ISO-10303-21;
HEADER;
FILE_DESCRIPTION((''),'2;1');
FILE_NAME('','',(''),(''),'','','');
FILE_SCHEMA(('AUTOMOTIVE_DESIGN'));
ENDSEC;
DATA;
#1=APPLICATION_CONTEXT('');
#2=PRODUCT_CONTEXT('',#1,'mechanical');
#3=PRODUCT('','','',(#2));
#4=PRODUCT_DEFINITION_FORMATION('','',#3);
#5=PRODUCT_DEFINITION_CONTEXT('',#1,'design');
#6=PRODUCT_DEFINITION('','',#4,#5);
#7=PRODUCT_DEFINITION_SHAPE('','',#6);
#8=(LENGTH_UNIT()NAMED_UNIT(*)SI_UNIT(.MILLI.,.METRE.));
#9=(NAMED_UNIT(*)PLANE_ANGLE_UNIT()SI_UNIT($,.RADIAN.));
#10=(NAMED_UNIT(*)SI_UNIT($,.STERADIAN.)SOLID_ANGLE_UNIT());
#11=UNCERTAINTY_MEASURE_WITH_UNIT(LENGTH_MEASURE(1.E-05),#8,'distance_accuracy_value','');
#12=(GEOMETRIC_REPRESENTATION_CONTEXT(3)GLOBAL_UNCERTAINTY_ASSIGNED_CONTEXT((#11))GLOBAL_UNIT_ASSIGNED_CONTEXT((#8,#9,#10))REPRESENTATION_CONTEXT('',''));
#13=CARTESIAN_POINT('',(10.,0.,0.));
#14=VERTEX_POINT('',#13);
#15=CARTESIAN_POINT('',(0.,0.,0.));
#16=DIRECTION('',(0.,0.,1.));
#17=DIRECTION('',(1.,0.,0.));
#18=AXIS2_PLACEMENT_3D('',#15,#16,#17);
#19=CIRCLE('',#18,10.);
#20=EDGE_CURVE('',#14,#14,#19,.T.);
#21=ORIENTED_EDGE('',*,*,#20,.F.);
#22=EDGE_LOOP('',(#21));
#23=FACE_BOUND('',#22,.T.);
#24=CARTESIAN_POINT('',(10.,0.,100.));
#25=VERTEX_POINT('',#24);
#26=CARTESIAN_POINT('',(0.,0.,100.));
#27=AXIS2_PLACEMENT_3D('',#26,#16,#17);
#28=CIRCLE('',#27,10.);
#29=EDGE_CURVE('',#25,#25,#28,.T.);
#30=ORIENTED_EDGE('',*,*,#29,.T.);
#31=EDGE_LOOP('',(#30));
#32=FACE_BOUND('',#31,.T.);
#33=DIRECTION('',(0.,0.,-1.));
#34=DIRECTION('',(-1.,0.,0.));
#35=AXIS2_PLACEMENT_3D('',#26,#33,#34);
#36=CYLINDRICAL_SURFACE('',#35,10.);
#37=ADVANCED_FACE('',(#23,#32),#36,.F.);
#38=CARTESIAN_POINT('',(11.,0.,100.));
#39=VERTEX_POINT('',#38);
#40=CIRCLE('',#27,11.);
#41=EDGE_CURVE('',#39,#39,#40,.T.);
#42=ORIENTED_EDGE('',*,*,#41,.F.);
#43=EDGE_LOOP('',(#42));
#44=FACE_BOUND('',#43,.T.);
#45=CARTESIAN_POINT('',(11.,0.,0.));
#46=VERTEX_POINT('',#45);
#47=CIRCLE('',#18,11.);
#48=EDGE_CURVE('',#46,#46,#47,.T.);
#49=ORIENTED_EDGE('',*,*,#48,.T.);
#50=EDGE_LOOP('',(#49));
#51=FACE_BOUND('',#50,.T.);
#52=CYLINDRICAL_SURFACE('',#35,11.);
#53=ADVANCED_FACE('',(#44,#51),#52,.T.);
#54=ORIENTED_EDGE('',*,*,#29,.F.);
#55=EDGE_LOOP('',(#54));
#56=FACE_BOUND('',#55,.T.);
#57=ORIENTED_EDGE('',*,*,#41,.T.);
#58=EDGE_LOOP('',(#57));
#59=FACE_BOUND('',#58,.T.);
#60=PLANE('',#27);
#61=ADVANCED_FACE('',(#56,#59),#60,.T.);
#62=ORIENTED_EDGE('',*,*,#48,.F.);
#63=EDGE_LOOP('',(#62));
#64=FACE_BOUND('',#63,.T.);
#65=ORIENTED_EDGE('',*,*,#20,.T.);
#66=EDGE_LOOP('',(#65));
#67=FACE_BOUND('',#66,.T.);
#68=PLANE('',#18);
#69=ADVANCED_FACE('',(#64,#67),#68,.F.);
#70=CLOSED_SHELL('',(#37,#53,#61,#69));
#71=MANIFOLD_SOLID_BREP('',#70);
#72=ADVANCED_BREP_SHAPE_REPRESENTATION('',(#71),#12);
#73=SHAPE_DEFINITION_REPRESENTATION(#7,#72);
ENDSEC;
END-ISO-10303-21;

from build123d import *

# Parameters (mm, degrees)
SKETCH_1_R      = 11
SKETCH_1_R_2    = 10
EXTRUDE_1_DEPTH = 100


with BuildPart() as part:
    # 스케치1 → 보스-돌출1 (new body)
    with BuildSketch(Plane.XY):
        Circle(SKETCH_1_R)
        Circle(SKETCH_1_R_2, mode=Mode.SUBTRACT)
    extrude(amount=EXTRUDE_1_DEPTH)


solid = part.part
